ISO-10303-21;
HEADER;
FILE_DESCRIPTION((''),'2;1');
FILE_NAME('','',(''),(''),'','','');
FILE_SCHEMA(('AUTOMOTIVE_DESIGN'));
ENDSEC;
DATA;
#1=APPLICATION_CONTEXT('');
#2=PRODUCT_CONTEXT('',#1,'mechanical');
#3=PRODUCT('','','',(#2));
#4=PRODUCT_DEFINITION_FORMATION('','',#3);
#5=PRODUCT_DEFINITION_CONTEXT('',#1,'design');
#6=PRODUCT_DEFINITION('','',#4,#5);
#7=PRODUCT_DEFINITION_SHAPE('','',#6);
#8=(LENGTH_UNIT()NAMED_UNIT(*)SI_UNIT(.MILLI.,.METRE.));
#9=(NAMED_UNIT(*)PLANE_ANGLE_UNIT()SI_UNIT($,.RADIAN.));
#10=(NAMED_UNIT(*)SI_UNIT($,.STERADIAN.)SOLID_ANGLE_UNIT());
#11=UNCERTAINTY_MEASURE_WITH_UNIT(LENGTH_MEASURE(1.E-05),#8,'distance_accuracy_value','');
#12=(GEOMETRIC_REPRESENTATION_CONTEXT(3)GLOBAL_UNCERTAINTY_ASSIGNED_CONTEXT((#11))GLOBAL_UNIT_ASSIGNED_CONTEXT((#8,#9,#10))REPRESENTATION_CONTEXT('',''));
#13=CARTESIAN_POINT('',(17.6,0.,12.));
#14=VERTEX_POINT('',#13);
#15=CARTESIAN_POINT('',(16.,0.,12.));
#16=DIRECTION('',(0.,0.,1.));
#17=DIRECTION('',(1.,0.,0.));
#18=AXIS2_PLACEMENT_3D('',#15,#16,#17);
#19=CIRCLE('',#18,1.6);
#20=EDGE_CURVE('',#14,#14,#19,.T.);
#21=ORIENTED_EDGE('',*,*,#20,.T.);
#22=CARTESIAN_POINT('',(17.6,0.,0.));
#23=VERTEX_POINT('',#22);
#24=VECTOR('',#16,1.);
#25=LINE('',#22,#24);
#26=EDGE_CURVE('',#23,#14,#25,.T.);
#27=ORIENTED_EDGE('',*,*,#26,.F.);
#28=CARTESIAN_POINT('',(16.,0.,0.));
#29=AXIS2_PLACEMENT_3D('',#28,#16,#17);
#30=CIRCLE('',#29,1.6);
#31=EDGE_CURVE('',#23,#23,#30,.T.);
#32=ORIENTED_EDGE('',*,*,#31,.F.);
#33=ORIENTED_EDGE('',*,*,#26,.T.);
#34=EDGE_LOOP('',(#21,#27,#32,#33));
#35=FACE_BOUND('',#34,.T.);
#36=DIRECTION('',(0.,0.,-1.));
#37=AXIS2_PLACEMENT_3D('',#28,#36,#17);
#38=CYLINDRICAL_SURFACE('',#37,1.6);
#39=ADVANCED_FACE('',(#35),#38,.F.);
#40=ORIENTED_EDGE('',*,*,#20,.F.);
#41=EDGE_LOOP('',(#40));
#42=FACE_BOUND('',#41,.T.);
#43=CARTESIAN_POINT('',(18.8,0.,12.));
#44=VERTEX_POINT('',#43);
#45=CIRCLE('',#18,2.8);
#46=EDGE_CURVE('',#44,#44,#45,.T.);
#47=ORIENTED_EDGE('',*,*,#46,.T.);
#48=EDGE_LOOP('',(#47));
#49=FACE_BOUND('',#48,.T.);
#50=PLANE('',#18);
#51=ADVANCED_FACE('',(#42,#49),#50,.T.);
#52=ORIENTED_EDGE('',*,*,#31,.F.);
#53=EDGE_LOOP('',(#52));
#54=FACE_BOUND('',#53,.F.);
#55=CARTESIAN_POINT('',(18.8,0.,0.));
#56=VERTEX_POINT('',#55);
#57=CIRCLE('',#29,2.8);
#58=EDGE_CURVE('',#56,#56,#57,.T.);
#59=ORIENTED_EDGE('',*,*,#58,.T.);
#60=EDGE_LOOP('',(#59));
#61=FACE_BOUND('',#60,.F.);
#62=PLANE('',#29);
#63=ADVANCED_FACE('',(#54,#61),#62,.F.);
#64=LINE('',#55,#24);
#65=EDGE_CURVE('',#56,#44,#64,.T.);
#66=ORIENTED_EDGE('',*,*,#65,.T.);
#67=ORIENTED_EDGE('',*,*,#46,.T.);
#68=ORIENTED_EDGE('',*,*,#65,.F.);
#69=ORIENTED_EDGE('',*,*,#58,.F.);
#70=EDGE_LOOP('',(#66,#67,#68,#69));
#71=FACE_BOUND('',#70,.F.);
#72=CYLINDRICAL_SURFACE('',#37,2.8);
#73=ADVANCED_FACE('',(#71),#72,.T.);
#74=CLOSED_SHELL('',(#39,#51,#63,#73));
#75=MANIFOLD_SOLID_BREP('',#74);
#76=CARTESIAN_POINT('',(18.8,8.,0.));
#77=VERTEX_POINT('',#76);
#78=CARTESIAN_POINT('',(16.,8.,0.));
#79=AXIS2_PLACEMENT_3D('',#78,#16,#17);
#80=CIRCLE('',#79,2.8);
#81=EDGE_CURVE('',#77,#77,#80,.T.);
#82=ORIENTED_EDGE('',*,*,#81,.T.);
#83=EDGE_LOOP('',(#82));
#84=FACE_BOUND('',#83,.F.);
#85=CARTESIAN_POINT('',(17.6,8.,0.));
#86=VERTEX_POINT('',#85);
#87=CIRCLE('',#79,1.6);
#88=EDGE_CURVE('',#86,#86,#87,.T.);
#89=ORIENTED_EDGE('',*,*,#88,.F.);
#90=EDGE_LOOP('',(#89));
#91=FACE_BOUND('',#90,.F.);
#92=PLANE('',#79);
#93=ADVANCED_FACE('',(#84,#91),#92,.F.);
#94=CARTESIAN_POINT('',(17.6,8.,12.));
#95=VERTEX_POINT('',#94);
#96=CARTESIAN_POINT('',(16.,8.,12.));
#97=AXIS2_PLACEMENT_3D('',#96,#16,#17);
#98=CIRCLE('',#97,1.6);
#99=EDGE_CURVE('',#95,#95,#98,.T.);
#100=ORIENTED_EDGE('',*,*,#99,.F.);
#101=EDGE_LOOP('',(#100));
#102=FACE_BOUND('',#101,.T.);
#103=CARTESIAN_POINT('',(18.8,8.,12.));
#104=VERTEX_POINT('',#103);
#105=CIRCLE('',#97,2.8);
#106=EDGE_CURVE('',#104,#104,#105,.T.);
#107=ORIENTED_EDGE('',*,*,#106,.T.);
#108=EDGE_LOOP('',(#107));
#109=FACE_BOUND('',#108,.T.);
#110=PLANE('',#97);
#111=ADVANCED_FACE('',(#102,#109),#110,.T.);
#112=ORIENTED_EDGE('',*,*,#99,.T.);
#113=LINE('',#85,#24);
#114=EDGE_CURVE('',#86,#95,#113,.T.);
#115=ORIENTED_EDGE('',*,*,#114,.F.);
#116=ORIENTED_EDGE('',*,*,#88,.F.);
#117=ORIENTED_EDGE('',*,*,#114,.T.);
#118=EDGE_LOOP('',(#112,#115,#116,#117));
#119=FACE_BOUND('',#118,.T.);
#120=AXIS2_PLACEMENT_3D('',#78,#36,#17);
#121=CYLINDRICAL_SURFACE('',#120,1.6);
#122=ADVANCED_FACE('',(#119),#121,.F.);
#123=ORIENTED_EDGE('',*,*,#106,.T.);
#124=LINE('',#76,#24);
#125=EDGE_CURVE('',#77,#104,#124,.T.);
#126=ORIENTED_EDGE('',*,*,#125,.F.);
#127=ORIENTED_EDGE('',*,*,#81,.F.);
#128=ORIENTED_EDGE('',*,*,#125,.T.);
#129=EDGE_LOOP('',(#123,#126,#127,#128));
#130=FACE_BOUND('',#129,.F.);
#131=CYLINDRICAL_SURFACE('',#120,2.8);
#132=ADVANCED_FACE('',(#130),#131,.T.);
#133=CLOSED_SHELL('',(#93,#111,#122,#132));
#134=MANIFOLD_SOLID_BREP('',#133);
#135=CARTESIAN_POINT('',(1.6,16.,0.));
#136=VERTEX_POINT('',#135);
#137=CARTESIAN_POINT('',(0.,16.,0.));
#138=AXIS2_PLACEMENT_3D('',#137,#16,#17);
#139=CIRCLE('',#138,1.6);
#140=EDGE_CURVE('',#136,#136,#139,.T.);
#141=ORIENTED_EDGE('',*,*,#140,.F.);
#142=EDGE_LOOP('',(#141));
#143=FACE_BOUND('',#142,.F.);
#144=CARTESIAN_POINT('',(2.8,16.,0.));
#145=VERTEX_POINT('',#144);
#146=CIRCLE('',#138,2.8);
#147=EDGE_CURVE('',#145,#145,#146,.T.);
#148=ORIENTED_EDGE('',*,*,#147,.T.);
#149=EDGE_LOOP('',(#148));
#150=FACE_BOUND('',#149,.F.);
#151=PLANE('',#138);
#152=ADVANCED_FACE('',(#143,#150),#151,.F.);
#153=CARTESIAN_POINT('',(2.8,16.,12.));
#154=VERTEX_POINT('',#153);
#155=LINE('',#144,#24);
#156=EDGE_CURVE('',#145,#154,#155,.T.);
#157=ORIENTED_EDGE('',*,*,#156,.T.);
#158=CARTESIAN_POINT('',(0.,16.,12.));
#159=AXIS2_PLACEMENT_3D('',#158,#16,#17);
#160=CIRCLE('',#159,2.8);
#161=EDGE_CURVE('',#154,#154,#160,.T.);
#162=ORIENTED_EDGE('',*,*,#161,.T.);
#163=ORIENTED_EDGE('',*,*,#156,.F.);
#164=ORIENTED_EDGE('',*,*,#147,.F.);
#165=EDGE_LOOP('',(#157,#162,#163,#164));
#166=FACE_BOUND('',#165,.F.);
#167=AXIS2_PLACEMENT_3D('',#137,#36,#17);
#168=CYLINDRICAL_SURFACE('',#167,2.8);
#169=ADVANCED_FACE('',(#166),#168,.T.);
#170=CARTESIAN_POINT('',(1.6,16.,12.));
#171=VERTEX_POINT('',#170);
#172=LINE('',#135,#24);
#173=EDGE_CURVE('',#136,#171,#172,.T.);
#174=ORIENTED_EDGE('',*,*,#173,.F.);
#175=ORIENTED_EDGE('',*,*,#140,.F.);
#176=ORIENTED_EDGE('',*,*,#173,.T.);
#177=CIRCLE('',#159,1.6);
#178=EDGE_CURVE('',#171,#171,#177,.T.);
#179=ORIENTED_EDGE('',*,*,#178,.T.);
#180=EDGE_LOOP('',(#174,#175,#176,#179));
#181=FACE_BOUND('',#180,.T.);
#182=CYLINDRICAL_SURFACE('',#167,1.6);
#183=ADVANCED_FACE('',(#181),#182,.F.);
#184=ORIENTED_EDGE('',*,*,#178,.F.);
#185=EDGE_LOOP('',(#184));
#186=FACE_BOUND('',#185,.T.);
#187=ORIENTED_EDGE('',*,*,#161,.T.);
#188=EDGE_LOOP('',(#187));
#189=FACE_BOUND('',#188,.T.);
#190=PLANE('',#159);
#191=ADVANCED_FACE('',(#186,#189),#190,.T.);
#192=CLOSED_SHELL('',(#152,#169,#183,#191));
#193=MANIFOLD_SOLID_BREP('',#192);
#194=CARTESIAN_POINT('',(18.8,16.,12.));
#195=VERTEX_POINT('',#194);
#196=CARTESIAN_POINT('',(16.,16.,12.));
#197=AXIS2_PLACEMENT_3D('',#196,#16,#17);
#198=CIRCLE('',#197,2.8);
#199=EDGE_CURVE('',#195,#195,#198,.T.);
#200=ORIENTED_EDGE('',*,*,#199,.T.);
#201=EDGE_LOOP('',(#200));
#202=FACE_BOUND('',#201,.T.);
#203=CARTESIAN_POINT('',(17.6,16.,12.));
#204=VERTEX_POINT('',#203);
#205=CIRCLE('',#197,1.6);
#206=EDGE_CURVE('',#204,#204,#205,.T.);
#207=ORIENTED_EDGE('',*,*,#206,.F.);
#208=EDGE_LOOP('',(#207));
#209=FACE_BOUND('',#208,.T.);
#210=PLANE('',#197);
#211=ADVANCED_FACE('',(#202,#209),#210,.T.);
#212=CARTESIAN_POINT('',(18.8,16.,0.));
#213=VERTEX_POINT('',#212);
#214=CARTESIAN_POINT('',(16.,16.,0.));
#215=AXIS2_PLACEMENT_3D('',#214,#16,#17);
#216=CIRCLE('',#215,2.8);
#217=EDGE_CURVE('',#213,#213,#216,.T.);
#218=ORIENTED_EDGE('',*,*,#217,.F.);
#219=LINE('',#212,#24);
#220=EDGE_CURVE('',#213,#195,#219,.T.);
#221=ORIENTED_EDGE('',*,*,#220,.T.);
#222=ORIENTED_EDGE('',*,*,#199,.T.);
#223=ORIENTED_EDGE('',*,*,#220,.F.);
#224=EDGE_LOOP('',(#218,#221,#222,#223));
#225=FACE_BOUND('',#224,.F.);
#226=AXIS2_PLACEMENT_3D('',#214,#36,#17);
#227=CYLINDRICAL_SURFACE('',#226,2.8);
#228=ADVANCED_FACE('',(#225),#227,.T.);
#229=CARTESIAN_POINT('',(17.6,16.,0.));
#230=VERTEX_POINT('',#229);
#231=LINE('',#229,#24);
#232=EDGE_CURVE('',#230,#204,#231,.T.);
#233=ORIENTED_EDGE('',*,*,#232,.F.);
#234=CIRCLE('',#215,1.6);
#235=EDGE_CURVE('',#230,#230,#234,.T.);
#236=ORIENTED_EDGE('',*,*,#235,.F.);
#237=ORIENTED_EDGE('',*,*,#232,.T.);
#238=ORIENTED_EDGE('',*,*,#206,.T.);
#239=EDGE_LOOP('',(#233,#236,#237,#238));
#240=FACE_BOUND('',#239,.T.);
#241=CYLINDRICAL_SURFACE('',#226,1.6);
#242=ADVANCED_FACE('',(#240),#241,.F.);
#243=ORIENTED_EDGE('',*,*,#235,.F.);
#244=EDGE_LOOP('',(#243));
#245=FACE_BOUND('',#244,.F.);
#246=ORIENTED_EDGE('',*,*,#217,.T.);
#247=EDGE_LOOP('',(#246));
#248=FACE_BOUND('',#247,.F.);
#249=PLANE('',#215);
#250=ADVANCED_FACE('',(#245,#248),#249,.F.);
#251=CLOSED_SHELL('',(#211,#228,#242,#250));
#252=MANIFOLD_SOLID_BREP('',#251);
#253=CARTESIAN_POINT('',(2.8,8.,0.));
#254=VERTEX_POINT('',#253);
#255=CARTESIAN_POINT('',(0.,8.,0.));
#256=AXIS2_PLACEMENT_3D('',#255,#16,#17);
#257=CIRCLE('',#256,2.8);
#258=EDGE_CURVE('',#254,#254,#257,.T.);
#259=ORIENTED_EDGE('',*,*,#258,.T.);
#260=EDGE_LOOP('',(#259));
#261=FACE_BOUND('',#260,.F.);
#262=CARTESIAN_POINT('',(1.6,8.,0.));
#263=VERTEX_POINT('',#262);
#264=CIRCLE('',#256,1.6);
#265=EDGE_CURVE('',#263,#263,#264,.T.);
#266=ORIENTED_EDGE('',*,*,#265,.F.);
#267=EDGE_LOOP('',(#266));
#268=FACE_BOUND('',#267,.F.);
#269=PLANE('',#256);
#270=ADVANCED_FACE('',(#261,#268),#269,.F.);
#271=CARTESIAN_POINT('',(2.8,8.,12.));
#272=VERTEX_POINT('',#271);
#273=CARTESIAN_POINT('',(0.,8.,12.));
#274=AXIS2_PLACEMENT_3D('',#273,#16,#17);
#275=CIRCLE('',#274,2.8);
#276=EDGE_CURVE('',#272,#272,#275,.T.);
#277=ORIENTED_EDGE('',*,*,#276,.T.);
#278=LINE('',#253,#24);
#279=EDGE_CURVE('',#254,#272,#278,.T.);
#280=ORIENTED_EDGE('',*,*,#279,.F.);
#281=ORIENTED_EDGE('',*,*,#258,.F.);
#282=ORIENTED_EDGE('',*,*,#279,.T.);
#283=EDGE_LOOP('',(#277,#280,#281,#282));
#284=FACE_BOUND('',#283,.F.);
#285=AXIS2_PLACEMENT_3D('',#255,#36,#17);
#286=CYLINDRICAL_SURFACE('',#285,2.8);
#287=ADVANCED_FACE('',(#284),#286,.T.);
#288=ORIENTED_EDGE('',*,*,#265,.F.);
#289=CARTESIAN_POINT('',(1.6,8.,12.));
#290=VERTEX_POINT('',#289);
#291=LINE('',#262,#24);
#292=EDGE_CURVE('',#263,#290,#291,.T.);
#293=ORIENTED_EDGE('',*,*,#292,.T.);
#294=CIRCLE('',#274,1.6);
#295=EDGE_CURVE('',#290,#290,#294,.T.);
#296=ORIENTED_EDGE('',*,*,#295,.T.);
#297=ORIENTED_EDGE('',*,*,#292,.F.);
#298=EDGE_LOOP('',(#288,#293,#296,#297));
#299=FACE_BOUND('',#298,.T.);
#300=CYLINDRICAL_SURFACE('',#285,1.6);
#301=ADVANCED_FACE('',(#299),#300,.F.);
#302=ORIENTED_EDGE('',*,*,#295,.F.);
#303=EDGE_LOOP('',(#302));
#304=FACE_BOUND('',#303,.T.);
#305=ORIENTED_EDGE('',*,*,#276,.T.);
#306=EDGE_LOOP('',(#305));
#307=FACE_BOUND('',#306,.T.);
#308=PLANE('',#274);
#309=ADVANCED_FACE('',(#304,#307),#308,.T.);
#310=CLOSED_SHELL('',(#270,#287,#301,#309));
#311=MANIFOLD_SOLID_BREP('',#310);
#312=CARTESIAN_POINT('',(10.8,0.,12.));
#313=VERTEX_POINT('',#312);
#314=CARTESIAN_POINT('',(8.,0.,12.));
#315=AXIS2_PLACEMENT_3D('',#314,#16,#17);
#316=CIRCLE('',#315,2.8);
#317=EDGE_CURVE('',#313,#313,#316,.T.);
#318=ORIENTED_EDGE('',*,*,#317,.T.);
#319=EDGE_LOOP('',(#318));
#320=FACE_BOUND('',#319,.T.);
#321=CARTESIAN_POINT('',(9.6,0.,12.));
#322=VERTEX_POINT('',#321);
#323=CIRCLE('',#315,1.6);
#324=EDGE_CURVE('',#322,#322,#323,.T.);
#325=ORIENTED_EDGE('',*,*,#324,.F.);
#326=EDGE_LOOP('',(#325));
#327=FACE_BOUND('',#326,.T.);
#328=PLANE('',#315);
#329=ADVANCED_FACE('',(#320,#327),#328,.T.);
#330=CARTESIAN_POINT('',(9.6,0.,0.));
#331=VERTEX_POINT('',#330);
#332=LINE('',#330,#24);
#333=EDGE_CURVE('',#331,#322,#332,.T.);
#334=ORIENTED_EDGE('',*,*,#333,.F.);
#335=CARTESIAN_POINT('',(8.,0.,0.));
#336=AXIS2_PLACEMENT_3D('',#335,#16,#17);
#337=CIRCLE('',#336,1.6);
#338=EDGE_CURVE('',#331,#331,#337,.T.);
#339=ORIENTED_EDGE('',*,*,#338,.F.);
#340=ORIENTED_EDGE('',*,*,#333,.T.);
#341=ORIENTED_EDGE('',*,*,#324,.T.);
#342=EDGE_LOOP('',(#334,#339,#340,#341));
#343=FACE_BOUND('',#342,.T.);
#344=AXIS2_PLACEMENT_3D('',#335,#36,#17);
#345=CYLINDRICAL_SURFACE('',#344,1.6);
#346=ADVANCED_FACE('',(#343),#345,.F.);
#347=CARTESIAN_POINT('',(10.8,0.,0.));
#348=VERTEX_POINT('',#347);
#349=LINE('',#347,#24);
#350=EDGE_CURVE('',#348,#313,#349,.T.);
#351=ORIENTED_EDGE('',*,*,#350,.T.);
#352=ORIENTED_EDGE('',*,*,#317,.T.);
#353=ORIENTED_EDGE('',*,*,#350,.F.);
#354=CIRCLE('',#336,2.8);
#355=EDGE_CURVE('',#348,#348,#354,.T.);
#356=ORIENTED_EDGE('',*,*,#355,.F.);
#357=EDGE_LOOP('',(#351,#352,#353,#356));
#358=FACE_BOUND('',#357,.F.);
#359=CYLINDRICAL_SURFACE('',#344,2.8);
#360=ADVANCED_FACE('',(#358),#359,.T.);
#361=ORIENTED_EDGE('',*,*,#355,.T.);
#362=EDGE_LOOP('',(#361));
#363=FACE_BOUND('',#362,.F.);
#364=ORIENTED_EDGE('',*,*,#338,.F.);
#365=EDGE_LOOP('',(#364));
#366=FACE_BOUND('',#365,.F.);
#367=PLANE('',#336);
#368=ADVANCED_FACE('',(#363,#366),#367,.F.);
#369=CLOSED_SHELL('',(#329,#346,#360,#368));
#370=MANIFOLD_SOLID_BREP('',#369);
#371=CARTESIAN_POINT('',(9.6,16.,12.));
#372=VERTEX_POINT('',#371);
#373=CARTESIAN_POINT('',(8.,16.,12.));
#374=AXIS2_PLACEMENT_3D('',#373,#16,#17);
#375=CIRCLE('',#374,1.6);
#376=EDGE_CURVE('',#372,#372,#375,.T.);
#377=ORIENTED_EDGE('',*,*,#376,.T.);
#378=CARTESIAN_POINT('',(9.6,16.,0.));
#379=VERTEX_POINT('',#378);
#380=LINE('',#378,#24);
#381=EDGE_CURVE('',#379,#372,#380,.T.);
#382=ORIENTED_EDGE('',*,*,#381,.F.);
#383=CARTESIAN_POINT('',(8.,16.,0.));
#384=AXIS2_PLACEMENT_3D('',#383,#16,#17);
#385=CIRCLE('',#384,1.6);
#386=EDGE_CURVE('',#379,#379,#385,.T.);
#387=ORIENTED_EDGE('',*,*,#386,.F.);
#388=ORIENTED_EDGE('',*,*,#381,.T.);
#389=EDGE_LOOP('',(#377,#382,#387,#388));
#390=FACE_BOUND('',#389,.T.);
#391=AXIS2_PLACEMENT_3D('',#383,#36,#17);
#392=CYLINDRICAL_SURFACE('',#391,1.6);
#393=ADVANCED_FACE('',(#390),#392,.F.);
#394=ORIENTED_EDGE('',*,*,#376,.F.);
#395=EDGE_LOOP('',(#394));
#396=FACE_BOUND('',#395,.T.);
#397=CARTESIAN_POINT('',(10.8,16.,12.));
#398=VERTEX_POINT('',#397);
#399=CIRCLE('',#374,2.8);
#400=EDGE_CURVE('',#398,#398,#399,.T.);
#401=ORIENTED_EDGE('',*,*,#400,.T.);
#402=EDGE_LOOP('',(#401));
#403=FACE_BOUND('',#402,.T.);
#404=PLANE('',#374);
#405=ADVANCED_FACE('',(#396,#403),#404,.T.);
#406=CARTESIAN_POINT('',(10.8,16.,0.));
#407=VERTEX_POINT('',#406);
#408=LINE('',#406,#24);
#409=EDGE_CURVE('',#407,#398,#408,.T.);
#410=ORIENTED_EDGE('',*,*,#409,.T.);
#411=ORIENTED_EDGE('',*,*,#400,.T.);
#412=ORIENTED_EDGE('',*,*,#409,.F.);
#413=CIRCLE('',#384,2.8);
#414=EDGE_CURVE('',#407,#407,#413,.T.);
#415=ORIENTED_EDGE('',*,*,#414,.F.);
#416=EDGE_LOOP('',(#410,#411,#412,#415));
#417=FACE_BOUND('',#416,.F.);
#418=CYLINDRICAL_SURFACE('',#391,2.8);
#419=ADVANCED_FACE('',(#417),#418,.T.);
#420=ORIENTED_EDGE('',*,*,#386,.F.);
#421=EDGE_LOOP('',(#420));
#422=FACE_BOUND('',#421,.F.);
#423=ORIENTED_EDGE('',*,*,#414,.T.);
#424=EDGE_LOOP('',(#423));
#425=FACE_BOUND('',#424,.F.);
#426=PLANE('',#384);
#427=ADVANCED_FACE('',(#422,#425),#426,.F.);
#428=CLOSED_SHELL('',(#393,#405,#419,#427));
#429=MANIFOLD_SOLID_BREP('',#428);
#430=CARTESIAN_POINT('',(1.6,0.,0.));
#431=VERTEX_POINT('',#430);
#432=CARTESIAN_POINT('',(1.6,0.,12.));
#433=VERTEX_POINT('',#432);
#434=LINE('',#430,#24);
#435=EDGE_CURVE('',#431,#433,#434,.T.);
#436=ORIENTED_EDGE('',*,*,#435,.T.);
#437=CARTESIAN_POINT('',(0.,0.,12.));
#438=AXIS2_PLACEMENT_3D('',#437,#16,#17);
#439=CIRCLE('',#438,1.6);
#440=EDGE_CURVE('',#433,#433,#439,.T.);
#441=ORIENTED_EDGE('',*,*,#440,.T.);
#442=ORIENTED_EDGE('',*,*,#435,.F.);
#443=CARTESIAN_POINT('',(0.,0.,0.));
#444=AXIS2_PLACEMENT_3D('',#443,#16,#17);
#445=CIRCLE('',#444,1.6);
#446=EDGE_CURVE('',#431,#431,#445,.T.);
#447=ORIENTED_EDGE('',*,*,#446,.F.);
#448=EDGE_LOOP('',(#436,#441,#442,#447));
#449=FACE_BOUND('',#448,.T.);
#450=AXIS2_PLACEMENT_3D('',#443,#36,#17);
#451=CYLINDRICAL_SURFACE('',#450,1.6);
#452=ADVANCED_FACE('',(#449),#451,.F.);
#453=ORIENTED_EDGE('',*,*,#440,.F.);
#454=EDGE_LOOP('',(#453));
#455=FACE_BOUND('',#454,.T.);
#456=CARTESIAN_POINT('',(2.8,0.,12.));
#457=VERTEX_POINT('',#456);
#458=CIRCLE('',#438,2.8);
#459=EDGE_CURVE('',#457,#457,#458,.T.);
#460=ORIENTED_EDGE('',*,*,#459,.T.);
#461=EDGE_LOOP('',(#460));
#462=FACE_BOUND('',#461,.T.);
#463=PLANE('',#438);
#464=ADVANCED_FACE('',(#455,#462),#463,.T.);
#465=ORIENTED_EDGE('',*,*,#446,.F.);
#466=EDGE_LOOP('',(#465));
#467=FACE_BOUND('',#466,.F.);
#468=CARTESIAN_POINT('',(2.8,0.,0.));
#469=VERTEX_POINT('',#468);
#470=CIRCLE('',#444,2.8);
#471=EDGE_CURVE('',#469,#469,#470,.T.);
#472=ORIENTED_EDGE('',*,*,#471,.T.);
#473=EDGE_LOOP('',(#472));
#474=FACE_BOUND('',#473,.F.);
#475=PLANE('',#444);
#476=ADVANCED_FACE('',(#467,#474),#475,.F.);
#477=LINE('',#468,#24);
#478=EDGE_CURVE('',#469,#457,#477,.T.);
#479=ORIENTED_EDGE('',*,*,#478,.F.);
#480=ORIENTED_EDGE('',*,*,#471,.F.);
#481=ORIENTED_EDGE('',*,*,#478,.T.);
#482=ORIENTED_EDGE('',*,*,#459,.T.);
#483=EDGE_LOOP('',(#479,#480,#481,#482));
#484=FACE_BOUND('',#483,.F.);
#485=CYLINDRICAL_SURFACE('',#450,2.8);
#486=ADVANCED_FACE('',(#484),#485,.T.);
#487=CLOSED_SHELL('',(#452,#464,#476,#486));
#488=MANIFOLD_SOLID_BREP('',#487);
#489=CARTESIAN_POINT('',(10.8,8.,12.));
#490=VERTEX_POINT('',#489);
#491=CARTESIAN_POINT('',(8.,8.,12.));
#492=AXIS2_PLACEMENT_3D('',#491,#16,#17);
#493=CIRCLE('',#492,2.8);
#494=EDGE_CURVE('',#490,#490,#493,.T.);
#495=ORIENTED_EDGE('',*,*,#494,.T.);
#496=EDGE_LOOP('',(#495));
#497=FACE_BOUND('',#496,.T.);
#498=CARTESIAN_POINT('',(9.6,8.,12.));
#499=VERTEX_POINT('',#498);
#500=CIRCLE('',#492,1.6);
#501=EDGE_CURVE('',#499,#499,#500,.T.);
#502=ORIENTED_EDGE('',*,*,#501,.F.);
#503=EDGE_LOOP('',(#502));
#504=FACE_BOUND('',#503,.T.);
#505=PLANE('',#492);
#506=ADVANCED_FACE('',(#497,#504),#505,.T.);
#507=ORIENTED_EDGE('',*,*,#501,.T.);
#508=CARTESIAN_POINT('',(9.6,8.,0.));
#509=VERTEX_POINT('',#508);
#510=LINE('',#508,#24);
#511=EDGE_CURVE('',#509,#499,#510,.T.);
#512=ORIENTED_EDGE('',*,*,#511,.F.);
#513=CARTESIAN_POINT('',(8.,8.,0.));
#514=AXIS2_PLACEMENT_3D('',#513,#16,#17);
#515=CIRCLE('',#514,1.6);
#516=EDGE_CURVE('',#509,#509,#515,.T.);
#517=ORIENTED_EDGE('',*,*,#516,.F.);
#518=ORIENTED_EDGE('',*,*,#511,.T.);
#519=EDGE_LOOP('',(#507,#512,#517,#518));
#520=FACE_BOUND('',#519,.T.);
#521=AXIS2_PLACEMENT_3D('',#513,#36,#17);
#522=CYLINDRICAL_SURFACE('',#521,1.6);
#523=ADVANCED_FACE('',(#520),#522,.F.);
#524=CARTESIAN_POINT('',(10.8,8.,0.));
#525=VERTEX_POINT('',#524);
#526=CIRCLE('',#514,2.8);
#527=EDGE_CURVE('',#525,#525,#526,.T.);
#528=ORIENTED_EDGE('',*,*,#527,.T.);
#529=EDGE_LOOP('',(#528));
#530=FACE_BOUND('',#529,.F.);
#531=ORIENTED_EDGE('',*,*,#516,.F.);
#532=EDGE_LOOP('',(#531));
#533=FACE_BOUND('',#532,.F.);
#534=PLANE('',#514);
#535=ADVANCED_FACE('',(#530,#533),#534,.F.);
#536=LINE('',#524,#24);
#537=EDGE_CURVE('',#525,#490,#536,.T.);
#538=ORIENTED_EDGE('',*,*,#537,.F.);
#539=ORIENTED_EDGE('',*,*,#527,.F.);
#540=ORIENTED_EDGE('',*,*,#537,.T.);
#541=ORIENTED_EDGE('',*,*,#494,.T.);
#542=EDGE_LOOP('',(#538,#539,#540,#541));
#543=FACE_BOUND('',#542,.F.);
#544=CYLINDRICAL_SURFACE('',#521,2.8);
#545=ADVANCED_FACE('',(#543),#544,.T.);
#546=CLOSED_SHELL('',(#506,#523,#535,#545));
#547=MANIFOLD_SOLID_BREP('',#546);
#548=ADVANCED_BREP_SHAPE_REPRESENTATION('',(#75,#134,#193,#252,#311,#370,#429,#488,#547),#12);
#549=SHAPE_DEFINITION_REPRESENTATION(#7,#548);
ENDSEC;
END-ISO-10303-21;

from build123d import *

# Parameters (mm, degrees)
F0_R     = 2.8
F0_R_2   = 1.6
F1_DEPTH = 12


with BuildPart() as f1:
    # F0 (on Top) → F1 (new body)
    with BuildSketch(Plane.XY):
        with Locations((0, 16)):
            Circle(F0_R)
        with Locations((0, 16)):
            Circle(F0_R_2, mode=Mode.SUBTRACT)
        with Locations((8, 16)):
            Circle(F0_R)
        with Locations((8, 16)):
            Circle(F0_R_2, mode=Mode.SUBTRACT)
        with Locations((16, 16)):
            Circle(F0_R)
        with Locations((16, 16)):
            Circle(F0_R_2, mode=Mode.SUBTRACT)
        with Locations((16, 8)):
            Circle(F0_R)
        with Locations((16, 8)):
            Circle(F0_R_2, mode=Mode.SUBTRACT)
        with Locations((16, 0)):
            Circle(F0_R)
        with Locations((16, 0)):
            Circle(F0_R_2, mode=Mode.SUBTRACT)
        with Locations((8, 0)):
            Circle(F0_R)
        with Locations((8, 0)):
            Circle(F0_R_2, mode=Mode.SUBTRACT)
        with Locations((8, 8)):
            Circle(F0_R)
        with Locations((8, 8)):
            Circle(F0_R_2, mode=Mode.SUBTRACT)
        with Locations((0, 8)):
            Circle(F0_R)
        with Locations((0, 8)):
            Circle(F0_R_2, mode=Mode.SUBTRACT)
        Circle(F0_R)
        Circle(F0_R_2, mode=Mode.SUBTRACT)
    extrude(amount=F1_DEPTH)


solid = f1.part
